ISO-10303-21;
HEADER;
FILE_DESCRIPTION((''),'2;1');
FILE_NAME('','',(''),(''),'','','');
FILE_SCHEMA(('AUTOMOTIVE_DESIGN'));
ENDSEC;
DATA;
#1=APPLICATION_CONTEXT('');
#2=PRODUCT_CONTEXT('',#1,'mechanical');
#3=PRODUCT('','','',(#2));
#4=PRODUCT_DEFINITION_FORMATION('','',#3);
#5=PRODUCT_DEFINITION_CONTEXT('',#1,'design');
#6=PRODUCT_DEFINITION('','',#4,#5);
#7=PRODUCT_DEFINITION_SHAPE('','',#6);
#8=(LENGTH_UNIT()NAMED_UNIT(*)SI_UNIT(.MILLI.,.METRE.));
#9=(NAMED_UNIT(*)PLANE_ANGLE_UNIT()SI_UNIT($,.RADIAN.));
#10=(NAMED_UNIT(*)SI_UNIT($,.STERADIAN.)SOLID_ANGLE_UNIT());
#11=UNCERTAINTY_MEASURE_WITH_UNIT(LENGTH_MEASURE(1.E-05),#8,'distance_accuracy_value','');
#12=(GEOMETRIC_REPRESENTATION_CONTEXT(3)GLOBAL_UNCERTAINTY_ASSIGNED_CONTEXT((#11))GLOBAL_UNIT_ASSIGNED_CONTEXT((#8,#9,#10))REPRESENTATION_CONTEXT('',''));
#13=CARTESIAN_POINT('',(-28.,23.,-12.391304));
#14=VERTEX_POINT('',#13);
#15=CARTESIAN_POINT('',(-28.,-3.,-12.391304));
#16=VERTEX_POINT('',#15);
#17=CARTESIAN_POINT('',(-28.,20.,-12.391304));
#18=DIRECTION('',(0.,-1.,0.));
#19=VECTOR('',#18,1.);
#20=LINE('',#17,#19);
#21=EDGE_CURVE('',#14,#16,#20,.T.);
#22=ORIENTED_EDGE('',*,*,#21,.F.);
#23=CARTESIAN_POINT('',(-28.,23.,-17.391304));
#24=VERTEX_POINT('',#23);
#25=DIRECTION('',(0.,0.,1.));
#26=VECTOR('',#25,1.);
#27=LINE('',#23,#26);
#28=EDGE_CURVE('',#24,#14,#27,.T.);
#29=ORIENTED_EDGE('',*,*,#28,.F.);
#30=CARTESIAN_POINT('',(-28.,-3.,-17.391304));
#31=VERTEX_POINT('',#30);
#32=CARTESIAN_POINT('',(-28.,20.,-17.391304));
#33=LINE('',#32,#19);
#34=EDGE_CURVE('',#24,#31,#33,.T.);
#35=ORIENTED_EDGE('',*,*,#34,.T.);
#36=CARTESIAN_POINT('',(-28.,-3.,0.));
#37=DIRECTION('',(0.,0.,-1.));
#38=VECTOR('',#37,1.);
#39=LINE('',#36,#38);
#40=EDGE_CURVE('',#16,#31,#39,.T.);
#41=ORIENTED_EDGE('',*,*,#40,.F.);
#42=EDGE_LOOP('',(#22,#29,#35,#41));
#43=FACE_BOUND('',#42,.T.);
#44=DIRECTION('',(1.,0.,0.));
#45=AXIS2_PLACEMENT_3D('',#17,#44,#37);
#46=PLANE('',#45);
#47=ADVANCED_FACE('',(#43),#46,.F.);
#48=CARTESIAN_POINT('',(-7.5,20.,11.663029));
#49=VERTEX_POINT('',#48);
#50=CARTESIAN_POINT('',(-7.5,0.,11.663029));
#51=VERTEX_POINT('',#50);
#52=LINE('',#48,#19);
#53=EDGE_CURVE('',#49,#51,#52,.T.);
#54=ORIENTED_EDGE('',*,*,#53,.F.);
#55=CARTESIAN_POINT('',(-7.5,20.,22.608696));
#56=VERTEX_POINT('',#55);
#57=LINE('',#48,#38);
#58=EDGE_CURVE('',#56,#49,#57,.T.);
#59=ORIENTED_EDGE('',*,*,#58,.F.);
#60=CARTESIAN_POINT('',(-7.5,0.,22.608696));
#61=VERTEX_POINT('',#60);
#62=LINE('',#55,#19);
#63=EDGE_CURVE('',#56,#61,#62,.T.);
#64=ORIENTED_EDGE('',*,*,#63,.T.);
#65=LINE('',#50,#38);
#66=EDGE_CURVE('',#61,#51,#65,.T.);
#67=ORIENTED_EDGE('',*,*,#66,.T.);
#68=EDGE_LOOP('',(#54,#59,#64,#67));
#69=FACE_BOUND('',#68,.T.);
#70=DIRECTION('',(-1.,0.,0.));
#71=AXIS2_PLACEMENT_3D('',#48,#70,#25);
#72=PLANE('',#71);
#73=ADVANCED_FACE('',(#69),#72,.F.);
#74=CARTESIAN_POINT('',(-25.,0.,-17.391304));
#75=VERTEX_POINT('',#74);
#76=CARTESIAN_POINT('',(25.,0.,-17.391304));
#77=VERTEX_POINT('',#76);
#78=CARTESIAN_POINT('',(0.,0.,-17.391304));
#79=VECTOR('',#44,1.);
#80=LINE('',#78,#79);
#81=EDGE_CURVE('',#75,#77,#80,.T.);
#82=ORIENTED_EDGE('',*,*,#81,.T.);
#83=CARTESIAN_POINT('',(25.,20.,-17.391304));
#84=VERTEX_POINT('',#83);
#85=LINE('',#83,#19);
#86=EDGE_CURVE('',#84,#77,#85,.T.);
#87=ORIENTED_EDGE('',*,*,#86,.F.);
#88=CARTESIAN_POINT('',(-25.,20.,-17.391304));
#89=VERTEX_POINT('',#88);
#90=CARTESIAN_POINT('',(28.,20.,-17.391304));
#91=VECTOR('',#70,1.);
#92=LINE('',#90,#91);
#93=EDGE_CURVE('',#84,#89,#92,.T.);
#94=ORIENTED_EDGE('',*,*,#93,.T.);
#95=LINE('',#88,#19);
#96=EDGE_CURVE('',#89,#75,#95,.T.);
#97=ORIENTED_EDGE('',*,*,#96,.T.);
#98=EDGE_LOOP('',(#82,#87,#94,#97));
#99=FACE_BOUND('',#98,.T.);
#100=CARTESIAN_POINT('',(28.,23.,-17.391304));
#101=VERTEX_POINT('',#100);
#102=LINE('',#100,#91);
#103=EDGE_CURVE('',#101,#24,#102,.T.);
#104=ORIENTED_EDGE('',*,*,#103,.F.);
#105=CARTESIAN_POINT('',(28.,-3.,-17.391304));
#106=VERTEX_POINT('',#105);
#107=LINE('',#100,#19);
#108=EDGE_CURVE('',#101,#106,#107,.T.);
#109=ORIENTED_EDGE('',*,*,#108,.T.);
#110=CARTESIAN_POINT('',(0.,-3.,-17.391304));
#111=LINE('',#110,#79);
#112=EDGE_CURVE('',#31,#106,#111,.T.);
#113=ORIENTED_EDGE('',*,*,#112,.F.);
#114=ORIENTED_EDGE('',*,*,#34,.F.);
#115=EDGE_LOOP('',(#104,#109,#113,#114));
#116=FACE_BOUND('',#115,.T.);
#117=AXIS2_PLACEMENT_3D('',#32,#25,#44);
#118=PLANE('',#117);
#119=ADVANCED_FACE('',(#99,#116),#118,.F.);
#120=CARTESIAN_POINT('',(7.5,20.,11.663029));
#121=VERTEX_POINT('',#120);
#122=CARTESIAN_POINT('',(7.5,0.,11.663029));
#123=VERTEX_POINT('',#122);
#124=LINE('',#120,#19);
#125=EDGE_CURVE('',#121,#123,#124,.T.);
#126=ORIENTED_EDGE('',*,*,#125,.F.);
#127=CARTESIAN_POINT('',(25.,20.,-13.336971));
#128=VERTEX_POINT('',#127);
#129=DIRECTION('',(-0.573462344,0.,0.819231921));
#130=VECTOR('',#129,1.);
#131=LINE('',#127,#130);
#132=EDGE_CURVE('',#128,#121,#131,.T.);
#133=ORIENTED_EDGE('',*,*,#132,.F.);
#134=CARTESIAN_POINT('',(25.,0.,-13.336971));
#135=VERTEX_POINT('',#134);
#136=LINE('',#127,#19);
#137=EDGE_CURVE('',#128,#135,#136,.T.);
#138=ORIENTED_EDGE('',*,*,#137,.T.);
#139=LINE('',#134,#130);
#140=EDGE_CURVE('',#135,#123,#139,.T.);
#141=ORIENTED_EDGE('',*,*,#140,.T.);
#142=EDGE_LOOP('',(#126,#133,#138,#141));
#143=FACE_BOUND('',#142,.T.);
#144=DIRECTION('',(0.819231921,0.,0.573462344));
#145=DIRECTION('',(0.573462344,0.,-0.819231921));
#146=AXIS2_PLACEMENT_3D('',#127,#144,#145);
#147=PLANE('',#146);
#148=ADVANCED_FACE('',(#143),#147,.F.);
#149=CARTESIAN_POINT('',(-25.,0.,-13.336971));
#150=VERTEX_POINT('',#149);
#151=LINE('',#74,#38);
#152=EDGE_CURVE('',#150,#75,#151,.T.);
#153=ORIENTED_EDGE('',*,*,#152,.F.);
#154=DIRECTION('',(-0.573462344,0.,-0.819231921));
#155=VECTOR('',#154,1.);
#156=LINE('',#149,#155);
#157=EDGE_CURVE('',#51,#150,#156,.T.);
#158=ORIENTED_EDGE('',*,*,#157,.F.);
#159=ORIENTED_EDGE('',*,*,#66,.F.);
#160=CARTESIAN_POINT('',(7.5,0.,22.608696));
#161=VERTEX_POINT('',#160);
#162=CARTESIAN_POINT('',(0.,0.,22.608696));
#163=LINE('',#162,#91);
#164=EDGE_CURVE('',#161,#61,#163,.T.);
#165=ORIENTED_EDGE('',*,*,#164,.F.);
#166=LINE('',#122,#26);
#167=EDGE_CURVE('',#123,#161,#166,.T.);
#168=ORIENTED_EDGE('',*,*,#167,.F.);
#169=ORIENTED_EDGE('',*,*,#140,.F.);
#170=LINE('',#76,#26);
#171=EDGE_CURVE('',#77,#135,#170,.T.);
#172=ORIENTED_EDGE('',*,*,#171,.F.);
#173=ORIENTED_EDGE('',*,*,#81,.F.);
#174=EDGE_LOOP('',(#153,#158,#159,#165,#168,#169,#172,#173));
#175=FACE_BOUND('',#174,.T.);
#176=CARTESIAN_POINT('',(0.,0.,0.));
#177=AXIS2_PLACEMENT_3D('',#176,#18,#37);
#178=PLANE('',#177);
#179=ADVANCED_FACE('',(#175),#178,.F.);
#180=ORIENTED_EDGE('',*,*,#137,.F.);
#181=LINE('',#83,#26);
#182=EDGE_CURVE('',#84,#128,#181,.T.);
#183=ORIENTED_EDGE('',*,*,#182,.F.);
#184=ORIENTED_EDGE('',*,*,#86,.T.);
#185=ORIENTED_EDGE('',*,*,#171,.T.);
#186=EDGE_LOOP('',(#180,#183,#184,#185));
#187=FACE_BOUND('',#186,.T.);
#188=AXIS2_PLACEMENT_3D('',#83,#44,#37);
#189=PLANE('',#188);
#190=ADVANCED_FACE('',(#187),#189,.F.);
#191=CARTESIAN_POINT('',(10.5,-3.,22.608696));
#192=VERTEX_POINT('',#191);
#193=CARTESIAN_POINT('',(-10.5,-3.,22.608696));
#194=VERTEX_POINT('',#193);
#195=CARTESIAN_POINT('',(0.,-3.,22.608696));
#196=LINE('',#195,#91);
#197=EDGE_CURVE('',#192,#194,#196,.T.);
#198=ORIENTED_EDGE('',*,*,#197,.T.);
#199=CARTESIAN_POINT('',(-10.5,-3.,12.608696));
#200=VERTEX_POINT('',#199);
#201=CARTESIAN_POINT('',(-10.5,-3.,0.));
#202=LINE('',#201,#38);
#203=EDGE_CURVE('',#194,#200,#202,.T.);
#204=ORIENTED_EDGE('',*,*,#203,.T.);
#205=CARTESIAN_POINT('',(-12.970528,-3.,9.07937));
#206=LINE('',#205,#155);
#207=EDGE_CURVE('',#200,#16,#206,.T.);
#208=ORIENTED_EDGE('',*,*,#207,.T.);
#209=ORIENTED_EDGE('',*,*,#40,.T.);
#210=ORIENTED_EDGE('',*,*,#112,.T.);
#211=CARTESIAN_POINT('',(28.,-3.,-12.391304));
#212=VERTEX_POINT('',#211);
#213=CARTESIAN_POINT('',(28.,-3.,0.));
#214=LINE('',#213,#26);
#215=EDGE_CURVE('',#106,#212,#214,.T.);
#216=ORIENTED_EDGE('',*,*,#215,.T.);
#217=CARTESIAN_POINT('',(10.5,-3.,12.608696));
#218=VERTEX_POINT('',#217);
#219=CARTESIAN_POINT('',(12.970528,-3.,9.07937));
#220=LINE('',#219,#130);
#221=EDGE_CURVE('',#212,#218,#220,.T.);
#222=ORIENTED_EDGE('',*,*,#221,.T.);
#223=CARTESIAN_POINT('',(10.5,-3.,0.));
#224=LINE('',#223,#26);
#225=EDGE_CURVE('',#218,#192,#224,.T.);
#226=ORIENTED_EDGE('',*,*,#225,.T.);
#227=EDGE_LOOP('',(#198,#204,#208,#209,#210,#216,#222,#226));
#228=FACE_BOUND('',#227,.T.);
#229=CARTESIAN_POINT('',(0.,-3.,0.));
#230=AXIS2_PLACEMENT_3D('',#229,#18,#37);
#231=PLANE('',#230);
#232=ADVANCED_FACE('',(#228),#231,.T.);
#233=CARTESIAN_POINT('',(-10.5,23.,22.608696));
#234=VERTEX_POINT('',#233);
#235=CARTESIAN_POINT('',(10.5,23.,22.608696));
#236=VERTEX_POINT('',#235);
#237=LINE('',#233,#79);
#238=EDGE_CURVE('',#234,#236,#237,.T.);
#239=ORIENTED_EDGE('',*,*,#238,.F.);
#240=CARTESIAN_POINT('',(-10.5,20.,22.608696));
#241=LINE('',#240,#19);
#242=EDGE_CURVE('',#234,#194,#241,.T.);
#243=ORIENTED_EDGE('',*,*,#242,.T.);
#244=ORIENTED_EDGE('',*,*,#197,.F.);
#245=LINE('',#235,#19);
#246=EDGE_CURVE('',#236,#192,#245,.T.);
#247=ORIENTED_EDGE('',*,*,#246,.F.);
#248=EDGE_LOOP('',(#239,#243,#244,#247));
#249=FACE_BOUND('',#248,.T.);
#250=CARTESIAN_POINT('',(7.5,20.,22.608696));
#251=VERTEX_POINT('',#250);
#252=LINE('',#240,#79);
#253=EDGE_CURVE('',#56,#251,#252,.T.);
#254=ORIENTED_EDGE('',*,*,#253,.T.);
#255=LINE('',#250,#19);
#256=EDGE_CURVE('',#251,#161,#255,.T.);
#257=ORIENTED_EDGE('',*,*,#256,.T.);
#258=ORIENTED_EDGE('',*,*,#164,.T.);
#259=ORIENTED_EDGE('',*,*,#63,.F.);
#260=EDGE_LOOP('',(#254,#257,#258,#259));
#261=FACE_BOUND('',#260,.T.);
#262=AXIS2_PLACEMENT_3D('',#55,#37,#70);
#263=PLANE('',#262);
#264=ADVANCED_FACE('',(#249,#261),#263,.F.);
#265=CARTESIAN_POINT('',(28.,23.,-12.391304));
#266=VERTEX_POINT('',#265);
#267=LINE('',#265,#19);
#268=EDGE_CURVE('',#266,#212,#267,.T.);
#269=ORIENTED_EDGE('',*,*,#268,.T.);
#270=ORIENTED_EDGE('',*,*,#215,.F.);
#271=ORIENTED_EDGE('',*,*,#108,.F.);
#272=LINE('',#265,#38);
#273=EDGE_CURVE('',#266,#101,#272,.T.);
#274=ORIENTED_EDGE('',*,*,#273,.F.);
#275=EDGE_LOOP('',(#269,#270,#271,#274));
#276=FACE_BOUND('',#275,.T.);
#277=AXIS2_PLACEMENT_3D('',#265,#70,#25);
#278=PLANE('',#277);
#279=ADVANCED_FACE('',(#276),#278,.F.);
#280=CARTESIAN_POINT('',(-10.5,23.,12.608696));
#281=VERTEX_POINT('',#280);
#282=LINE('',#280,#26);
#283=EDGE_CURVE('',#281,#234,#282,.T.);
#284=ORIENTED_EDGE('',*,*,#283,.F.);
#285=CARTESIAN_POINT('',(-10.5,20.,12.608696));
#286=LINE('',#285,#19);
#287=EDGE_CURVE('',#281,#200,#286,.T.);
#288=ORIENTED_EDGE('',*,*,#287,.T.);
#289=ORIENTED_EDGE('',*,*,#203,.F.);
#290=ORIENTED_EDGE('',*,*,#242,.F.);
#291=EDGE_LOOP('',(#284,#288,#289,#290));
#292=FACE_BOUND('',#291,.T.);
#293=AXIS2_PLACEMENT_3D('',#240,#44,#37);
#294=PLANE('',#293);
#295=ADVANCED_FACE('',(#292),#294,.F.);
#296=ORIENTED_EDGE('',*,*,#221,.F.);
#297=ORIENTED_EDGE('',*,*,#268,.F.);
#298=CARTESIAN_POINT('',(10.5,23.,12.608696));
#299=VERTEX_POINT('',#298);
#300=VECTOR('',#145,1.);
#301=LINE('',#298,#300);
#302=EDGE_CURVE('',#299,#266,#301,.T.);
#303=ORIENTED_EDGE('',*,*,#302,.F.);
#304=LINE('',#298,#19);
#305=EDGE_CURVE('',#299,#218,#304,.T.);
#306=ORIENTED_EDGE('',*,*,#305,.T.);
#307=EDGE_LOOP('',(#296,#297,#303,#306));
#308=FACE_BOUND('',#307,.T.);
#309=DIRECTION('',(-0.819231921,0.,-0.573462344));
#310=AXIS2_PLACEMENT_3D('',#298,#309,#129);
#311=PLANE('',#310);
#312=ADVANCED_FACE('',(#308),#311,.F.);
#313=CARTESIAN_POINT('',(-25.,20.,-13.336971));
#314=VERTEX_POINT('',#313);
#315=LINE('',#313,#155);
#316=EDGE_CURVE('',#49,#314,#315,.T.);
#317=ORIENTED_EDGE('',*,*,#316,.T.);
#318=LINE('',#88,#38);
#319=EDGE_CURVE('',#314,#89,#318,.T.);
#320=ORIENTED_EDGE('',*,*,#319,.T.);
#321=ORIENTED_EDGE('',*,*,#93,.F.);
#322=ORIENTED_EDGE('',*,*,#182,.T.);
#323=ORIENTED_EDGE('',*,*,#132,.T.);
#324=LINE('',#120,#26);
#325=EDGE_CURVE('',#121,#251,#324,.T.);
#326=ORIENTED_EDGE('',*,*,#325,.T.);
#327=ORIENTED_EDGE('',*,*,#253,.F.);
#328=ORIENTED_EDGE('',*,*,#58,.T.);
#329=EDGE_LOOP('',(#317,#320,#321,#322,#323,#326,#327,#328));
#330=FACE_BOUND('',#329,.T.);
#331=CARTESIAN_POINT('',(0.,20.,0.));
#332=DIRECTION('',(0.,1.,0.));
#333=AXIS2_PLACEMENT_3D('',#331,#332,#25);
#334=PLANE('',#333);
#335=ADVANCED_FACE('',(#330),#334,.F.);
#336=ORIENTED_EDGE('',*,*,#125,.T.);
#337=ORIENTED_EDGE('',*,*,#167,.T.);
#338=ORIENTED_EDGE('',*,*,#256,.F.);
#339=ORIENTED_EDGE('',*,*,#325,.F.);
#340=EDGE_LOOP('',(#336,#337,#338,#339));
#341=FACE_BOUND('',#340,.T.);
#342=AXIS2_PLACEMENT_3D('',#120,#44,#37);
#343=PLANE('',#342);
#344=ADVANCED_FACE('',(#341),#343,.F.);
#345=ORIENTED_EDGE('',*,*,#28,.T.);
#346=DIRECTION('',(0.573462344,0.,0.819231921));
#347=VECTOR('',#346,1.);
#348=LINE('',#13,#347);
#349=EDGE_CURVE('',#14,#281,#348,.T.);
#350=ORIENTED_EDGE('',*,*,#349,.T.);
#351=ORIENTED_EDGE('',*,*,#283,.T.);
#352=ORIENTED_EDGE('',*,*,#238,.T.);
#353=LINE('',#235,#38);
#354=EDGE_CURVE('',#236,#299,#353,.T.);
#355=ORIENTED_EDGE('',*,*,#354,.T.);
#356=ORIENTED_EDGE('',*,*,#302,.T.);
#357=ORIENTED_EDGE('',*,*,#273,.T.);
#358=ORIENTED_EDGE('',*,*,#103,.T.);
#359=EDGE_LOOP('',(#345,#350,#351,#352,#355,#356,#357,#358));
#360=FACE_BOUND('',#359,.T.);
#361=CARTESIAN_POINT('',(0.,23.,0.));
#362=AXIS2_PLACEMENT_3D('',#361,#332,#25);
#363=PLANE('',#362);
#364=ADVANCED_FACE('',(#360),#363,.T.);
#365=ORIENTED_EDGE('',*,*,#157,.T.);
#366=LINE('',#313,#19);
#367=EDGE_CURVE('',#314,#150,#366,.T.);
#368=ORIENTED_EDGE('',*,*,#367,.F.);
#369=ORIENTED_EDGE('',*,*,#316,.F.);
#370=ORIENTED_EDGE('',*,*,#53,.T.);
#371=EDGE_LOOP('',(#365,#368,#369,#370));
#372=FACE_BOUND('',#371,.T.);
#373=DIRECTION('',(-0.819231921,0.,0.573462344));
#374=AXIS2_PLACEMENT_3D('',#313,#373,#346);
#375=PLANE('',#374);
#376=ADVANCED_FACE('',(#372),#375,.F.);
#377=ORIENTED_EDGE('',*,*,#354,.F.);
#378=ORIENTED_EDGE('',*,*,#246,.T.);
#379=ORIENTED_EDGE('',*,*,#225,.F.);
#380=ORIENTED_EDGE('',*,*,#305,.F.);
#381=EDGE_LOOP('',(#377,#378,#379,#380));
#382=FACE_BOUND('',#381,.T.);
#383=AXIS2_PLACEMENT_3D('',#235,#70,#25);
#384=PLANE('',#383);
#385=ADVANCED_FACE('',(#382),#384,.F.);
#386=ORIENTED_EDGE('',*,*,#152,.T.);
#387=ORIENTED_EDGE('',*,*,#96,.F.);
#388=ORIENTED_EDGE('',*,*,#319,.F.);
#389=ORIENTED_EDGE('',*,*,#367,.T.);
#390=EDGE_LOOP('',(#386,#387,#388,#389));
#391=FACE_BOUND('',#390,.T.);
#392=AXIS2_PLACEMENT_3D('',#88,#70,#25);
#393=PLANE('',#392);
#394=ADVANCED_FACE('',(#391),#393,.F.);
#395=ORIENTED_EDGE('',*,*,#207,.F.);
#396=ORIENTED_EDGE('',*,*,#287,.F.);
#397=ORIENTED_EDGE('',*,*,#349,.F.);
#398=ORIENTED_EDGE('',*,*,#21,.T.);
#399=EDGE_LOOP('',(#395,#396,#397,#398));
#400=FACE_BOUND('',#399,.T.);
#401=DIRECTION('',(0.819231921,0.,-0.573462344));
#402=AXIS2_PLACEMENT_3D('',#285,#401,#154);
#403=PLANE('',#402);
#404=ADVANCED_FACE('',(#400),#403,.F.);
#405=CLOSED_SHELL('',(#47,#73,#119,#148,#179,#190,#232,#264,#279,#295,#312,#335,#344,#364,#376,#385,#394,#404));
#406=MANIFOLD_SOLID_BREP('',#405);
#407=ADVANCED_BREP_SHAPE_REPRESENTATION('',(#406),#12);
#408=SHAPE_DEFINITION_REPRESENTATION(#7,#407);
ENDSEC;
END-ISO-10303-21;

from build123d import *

# Parameters (mm, degrees)
SALIENTE_EXTRUIR1_DEPTH   = 20
SALIENTE_EXTRUIR1_2_DEPTH = 20
SALIENTE_EXTRUIR2_DEPTH   = 3
SALIENTE_EXTRUIR3_START   = -20
SALIENTE_EXTRUIR3_DEPTH   = 3


with BuildPart() as part:
    # Croquis1 → Saliente-Extruir1 (new body)
    with BuildSketch(Plane(origin=(0, 0, 0), x_dir=(1, 0, 0), z_dir=(0, 1, 0))):
        Polygon((-25, 17.391304348), (-25, 13.33697104), (-7.5, -11.66302896), (-7.5, -22.608695652), (-10.5, -22.608695652), (-10.5, -12.608695652), (-28, 12.391304348), (-28, 17.391304348), align=None)
    extrude(amount=SALIENTE_EXTRUIR1_DEPTH)



with BuildPart() as body_2:
    # Croquis1 → Saliente-Extruir1 2 (new body)
    with BuildSketch(Plane(origin=(0, 0, 0), x_dir=(1, 0, 0), z_dir=(0, 1, 0))):
        Polygon((7.5, -11.66302896), (7.5, -22.608695652), (10.5, -22.608695652), (10.5, -12.608695652), (28, 12.391304348), (28, 17.391304348), (25, 17.391304348), (25, 13.33697104), align=None)
    extrude(amount=SALIENTE_EXTRUIR1_2_DEPTH)


with BuildPart() as part_1:
    add(part.part)

    add(body_2.part)  # Saliente-Extruir2 merges body 2
    # Croquis2 → Saliente-Extruir2 (add)
    with BuildSketch(Plane(origin=(0, 20, 0), x_dir=(1, 0, 0), z_dir=(0, 1, 0))):
        Polygon((-10.5, -22.608695652), (10.5, -22.608695652), (10.5, -12.608695652), (28, 12.391304348), (28, 17.391304348), (-28, 17.391304348), (-28, 12.391304348), (-10.5, -12.608695652), align=None)
    extrude(amount=SALIENTE_EXTRUIR2_DEPTH)

    # Croquis2<2> → Saliente-Extruir3 (add)
    with BuildSketch(Plane(origin=(0, 20, 0), x_dir=(1, 0, 0), z_dir=(0, 1, 0)).offset(SALIENTE_EXTRUIR3_START)):
        Polygon((-10.5, -22.608695652), (10.5, -22.608695652), (10.5, -12.608695652), (28, 12.391304348), (28, 17.391304348), (-28, 17.391304348), (-28, 12.391304348), (-10.5, -12.608695652), align=None)
    extrude(amount=-SALIENTE_EXTRUIR3_DEPTH)


solid = part_1.part
